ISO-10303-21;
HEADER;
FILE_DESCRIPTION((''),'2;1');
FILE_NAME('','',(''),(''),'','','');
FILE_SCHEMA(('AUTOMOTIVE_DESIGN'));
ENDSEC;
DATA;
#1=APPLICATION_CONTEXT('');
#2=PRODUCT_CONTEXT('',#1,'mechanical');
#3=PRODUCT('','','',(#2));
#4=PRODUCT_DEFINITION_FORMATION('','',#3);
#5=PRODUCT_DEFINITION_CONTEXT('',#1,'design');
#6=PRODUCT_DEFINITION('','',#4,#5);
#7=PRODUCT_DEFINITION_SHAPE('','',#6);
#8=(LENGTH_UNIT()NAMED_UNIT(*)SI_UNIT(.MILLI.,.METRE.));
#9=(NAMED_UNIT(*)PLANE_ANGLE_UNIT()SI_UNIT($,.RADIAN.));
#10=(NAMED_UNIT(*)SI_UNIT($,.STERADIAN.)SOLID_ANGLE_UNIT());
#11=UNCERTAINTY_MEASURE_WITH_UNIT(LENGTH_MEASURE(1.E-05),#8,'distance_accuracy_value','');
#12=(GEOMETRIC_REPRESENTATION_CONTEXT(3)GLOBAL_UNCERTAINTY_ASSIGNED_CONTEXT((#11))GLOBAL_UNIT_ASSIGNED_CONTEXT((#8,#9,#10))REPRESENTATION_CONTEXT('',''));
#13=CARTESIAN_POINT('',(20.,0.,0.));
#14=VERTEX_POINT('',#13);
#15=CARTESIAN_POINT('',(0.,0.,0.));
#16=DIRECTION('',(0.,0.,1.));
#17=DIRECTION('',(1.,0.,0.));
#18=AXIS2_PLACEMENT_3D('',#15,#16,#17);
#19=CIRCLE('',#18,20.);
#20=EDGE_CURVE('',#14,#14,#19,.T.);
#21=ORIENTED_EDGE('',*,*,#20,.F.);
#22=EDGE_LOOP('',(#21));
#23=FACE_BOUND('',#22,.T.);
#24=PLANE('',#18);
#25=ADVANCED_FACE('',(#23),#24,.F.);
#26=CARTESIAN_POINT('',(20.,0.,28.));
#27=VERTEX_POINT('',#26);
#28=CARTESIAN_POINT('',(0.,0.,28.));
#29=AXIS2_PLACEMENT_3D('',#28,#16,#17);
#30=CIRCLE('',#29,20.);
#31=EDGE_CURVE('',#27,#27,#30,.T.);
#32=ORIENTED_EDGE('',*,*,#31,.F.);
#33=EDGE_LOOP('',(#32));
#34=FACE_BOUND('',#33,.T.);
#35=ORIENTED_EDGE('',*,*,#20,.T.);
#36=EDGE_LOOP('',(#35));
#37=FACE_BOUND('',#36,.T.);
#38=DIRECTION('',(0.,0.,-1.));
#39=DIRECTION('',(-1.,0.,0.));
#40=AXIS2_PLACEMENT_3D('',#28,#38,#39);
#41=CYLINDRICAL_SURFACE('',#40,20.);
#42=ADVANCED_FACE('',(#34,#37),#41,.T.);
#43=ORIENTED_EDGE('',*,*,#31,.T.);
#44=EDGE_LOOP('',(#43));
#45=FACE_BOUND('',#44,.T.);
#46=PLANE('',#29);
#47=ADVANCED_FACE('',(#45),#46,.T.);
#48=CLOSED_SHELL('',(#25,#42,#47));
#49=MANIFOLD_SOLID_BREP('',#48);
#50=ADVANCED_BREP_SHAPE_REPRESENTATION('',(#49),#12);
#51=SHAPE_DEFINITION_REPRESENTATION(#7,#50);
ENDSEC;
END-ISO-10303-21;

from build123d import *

# Parameters (mm, degrees)
SKETCH_1_R      = 20
EXTRUDE_1_DEPTH = 28


with BuildPart() as part:
    # 草图1 → 凸台-拉伸1 (new body)
    with BuildSketch(Plane.XY):
        Circle(SKETCH_1_R)
    extrude(amount=EXTRUDE_1_DEPTH)


solid = part.part
